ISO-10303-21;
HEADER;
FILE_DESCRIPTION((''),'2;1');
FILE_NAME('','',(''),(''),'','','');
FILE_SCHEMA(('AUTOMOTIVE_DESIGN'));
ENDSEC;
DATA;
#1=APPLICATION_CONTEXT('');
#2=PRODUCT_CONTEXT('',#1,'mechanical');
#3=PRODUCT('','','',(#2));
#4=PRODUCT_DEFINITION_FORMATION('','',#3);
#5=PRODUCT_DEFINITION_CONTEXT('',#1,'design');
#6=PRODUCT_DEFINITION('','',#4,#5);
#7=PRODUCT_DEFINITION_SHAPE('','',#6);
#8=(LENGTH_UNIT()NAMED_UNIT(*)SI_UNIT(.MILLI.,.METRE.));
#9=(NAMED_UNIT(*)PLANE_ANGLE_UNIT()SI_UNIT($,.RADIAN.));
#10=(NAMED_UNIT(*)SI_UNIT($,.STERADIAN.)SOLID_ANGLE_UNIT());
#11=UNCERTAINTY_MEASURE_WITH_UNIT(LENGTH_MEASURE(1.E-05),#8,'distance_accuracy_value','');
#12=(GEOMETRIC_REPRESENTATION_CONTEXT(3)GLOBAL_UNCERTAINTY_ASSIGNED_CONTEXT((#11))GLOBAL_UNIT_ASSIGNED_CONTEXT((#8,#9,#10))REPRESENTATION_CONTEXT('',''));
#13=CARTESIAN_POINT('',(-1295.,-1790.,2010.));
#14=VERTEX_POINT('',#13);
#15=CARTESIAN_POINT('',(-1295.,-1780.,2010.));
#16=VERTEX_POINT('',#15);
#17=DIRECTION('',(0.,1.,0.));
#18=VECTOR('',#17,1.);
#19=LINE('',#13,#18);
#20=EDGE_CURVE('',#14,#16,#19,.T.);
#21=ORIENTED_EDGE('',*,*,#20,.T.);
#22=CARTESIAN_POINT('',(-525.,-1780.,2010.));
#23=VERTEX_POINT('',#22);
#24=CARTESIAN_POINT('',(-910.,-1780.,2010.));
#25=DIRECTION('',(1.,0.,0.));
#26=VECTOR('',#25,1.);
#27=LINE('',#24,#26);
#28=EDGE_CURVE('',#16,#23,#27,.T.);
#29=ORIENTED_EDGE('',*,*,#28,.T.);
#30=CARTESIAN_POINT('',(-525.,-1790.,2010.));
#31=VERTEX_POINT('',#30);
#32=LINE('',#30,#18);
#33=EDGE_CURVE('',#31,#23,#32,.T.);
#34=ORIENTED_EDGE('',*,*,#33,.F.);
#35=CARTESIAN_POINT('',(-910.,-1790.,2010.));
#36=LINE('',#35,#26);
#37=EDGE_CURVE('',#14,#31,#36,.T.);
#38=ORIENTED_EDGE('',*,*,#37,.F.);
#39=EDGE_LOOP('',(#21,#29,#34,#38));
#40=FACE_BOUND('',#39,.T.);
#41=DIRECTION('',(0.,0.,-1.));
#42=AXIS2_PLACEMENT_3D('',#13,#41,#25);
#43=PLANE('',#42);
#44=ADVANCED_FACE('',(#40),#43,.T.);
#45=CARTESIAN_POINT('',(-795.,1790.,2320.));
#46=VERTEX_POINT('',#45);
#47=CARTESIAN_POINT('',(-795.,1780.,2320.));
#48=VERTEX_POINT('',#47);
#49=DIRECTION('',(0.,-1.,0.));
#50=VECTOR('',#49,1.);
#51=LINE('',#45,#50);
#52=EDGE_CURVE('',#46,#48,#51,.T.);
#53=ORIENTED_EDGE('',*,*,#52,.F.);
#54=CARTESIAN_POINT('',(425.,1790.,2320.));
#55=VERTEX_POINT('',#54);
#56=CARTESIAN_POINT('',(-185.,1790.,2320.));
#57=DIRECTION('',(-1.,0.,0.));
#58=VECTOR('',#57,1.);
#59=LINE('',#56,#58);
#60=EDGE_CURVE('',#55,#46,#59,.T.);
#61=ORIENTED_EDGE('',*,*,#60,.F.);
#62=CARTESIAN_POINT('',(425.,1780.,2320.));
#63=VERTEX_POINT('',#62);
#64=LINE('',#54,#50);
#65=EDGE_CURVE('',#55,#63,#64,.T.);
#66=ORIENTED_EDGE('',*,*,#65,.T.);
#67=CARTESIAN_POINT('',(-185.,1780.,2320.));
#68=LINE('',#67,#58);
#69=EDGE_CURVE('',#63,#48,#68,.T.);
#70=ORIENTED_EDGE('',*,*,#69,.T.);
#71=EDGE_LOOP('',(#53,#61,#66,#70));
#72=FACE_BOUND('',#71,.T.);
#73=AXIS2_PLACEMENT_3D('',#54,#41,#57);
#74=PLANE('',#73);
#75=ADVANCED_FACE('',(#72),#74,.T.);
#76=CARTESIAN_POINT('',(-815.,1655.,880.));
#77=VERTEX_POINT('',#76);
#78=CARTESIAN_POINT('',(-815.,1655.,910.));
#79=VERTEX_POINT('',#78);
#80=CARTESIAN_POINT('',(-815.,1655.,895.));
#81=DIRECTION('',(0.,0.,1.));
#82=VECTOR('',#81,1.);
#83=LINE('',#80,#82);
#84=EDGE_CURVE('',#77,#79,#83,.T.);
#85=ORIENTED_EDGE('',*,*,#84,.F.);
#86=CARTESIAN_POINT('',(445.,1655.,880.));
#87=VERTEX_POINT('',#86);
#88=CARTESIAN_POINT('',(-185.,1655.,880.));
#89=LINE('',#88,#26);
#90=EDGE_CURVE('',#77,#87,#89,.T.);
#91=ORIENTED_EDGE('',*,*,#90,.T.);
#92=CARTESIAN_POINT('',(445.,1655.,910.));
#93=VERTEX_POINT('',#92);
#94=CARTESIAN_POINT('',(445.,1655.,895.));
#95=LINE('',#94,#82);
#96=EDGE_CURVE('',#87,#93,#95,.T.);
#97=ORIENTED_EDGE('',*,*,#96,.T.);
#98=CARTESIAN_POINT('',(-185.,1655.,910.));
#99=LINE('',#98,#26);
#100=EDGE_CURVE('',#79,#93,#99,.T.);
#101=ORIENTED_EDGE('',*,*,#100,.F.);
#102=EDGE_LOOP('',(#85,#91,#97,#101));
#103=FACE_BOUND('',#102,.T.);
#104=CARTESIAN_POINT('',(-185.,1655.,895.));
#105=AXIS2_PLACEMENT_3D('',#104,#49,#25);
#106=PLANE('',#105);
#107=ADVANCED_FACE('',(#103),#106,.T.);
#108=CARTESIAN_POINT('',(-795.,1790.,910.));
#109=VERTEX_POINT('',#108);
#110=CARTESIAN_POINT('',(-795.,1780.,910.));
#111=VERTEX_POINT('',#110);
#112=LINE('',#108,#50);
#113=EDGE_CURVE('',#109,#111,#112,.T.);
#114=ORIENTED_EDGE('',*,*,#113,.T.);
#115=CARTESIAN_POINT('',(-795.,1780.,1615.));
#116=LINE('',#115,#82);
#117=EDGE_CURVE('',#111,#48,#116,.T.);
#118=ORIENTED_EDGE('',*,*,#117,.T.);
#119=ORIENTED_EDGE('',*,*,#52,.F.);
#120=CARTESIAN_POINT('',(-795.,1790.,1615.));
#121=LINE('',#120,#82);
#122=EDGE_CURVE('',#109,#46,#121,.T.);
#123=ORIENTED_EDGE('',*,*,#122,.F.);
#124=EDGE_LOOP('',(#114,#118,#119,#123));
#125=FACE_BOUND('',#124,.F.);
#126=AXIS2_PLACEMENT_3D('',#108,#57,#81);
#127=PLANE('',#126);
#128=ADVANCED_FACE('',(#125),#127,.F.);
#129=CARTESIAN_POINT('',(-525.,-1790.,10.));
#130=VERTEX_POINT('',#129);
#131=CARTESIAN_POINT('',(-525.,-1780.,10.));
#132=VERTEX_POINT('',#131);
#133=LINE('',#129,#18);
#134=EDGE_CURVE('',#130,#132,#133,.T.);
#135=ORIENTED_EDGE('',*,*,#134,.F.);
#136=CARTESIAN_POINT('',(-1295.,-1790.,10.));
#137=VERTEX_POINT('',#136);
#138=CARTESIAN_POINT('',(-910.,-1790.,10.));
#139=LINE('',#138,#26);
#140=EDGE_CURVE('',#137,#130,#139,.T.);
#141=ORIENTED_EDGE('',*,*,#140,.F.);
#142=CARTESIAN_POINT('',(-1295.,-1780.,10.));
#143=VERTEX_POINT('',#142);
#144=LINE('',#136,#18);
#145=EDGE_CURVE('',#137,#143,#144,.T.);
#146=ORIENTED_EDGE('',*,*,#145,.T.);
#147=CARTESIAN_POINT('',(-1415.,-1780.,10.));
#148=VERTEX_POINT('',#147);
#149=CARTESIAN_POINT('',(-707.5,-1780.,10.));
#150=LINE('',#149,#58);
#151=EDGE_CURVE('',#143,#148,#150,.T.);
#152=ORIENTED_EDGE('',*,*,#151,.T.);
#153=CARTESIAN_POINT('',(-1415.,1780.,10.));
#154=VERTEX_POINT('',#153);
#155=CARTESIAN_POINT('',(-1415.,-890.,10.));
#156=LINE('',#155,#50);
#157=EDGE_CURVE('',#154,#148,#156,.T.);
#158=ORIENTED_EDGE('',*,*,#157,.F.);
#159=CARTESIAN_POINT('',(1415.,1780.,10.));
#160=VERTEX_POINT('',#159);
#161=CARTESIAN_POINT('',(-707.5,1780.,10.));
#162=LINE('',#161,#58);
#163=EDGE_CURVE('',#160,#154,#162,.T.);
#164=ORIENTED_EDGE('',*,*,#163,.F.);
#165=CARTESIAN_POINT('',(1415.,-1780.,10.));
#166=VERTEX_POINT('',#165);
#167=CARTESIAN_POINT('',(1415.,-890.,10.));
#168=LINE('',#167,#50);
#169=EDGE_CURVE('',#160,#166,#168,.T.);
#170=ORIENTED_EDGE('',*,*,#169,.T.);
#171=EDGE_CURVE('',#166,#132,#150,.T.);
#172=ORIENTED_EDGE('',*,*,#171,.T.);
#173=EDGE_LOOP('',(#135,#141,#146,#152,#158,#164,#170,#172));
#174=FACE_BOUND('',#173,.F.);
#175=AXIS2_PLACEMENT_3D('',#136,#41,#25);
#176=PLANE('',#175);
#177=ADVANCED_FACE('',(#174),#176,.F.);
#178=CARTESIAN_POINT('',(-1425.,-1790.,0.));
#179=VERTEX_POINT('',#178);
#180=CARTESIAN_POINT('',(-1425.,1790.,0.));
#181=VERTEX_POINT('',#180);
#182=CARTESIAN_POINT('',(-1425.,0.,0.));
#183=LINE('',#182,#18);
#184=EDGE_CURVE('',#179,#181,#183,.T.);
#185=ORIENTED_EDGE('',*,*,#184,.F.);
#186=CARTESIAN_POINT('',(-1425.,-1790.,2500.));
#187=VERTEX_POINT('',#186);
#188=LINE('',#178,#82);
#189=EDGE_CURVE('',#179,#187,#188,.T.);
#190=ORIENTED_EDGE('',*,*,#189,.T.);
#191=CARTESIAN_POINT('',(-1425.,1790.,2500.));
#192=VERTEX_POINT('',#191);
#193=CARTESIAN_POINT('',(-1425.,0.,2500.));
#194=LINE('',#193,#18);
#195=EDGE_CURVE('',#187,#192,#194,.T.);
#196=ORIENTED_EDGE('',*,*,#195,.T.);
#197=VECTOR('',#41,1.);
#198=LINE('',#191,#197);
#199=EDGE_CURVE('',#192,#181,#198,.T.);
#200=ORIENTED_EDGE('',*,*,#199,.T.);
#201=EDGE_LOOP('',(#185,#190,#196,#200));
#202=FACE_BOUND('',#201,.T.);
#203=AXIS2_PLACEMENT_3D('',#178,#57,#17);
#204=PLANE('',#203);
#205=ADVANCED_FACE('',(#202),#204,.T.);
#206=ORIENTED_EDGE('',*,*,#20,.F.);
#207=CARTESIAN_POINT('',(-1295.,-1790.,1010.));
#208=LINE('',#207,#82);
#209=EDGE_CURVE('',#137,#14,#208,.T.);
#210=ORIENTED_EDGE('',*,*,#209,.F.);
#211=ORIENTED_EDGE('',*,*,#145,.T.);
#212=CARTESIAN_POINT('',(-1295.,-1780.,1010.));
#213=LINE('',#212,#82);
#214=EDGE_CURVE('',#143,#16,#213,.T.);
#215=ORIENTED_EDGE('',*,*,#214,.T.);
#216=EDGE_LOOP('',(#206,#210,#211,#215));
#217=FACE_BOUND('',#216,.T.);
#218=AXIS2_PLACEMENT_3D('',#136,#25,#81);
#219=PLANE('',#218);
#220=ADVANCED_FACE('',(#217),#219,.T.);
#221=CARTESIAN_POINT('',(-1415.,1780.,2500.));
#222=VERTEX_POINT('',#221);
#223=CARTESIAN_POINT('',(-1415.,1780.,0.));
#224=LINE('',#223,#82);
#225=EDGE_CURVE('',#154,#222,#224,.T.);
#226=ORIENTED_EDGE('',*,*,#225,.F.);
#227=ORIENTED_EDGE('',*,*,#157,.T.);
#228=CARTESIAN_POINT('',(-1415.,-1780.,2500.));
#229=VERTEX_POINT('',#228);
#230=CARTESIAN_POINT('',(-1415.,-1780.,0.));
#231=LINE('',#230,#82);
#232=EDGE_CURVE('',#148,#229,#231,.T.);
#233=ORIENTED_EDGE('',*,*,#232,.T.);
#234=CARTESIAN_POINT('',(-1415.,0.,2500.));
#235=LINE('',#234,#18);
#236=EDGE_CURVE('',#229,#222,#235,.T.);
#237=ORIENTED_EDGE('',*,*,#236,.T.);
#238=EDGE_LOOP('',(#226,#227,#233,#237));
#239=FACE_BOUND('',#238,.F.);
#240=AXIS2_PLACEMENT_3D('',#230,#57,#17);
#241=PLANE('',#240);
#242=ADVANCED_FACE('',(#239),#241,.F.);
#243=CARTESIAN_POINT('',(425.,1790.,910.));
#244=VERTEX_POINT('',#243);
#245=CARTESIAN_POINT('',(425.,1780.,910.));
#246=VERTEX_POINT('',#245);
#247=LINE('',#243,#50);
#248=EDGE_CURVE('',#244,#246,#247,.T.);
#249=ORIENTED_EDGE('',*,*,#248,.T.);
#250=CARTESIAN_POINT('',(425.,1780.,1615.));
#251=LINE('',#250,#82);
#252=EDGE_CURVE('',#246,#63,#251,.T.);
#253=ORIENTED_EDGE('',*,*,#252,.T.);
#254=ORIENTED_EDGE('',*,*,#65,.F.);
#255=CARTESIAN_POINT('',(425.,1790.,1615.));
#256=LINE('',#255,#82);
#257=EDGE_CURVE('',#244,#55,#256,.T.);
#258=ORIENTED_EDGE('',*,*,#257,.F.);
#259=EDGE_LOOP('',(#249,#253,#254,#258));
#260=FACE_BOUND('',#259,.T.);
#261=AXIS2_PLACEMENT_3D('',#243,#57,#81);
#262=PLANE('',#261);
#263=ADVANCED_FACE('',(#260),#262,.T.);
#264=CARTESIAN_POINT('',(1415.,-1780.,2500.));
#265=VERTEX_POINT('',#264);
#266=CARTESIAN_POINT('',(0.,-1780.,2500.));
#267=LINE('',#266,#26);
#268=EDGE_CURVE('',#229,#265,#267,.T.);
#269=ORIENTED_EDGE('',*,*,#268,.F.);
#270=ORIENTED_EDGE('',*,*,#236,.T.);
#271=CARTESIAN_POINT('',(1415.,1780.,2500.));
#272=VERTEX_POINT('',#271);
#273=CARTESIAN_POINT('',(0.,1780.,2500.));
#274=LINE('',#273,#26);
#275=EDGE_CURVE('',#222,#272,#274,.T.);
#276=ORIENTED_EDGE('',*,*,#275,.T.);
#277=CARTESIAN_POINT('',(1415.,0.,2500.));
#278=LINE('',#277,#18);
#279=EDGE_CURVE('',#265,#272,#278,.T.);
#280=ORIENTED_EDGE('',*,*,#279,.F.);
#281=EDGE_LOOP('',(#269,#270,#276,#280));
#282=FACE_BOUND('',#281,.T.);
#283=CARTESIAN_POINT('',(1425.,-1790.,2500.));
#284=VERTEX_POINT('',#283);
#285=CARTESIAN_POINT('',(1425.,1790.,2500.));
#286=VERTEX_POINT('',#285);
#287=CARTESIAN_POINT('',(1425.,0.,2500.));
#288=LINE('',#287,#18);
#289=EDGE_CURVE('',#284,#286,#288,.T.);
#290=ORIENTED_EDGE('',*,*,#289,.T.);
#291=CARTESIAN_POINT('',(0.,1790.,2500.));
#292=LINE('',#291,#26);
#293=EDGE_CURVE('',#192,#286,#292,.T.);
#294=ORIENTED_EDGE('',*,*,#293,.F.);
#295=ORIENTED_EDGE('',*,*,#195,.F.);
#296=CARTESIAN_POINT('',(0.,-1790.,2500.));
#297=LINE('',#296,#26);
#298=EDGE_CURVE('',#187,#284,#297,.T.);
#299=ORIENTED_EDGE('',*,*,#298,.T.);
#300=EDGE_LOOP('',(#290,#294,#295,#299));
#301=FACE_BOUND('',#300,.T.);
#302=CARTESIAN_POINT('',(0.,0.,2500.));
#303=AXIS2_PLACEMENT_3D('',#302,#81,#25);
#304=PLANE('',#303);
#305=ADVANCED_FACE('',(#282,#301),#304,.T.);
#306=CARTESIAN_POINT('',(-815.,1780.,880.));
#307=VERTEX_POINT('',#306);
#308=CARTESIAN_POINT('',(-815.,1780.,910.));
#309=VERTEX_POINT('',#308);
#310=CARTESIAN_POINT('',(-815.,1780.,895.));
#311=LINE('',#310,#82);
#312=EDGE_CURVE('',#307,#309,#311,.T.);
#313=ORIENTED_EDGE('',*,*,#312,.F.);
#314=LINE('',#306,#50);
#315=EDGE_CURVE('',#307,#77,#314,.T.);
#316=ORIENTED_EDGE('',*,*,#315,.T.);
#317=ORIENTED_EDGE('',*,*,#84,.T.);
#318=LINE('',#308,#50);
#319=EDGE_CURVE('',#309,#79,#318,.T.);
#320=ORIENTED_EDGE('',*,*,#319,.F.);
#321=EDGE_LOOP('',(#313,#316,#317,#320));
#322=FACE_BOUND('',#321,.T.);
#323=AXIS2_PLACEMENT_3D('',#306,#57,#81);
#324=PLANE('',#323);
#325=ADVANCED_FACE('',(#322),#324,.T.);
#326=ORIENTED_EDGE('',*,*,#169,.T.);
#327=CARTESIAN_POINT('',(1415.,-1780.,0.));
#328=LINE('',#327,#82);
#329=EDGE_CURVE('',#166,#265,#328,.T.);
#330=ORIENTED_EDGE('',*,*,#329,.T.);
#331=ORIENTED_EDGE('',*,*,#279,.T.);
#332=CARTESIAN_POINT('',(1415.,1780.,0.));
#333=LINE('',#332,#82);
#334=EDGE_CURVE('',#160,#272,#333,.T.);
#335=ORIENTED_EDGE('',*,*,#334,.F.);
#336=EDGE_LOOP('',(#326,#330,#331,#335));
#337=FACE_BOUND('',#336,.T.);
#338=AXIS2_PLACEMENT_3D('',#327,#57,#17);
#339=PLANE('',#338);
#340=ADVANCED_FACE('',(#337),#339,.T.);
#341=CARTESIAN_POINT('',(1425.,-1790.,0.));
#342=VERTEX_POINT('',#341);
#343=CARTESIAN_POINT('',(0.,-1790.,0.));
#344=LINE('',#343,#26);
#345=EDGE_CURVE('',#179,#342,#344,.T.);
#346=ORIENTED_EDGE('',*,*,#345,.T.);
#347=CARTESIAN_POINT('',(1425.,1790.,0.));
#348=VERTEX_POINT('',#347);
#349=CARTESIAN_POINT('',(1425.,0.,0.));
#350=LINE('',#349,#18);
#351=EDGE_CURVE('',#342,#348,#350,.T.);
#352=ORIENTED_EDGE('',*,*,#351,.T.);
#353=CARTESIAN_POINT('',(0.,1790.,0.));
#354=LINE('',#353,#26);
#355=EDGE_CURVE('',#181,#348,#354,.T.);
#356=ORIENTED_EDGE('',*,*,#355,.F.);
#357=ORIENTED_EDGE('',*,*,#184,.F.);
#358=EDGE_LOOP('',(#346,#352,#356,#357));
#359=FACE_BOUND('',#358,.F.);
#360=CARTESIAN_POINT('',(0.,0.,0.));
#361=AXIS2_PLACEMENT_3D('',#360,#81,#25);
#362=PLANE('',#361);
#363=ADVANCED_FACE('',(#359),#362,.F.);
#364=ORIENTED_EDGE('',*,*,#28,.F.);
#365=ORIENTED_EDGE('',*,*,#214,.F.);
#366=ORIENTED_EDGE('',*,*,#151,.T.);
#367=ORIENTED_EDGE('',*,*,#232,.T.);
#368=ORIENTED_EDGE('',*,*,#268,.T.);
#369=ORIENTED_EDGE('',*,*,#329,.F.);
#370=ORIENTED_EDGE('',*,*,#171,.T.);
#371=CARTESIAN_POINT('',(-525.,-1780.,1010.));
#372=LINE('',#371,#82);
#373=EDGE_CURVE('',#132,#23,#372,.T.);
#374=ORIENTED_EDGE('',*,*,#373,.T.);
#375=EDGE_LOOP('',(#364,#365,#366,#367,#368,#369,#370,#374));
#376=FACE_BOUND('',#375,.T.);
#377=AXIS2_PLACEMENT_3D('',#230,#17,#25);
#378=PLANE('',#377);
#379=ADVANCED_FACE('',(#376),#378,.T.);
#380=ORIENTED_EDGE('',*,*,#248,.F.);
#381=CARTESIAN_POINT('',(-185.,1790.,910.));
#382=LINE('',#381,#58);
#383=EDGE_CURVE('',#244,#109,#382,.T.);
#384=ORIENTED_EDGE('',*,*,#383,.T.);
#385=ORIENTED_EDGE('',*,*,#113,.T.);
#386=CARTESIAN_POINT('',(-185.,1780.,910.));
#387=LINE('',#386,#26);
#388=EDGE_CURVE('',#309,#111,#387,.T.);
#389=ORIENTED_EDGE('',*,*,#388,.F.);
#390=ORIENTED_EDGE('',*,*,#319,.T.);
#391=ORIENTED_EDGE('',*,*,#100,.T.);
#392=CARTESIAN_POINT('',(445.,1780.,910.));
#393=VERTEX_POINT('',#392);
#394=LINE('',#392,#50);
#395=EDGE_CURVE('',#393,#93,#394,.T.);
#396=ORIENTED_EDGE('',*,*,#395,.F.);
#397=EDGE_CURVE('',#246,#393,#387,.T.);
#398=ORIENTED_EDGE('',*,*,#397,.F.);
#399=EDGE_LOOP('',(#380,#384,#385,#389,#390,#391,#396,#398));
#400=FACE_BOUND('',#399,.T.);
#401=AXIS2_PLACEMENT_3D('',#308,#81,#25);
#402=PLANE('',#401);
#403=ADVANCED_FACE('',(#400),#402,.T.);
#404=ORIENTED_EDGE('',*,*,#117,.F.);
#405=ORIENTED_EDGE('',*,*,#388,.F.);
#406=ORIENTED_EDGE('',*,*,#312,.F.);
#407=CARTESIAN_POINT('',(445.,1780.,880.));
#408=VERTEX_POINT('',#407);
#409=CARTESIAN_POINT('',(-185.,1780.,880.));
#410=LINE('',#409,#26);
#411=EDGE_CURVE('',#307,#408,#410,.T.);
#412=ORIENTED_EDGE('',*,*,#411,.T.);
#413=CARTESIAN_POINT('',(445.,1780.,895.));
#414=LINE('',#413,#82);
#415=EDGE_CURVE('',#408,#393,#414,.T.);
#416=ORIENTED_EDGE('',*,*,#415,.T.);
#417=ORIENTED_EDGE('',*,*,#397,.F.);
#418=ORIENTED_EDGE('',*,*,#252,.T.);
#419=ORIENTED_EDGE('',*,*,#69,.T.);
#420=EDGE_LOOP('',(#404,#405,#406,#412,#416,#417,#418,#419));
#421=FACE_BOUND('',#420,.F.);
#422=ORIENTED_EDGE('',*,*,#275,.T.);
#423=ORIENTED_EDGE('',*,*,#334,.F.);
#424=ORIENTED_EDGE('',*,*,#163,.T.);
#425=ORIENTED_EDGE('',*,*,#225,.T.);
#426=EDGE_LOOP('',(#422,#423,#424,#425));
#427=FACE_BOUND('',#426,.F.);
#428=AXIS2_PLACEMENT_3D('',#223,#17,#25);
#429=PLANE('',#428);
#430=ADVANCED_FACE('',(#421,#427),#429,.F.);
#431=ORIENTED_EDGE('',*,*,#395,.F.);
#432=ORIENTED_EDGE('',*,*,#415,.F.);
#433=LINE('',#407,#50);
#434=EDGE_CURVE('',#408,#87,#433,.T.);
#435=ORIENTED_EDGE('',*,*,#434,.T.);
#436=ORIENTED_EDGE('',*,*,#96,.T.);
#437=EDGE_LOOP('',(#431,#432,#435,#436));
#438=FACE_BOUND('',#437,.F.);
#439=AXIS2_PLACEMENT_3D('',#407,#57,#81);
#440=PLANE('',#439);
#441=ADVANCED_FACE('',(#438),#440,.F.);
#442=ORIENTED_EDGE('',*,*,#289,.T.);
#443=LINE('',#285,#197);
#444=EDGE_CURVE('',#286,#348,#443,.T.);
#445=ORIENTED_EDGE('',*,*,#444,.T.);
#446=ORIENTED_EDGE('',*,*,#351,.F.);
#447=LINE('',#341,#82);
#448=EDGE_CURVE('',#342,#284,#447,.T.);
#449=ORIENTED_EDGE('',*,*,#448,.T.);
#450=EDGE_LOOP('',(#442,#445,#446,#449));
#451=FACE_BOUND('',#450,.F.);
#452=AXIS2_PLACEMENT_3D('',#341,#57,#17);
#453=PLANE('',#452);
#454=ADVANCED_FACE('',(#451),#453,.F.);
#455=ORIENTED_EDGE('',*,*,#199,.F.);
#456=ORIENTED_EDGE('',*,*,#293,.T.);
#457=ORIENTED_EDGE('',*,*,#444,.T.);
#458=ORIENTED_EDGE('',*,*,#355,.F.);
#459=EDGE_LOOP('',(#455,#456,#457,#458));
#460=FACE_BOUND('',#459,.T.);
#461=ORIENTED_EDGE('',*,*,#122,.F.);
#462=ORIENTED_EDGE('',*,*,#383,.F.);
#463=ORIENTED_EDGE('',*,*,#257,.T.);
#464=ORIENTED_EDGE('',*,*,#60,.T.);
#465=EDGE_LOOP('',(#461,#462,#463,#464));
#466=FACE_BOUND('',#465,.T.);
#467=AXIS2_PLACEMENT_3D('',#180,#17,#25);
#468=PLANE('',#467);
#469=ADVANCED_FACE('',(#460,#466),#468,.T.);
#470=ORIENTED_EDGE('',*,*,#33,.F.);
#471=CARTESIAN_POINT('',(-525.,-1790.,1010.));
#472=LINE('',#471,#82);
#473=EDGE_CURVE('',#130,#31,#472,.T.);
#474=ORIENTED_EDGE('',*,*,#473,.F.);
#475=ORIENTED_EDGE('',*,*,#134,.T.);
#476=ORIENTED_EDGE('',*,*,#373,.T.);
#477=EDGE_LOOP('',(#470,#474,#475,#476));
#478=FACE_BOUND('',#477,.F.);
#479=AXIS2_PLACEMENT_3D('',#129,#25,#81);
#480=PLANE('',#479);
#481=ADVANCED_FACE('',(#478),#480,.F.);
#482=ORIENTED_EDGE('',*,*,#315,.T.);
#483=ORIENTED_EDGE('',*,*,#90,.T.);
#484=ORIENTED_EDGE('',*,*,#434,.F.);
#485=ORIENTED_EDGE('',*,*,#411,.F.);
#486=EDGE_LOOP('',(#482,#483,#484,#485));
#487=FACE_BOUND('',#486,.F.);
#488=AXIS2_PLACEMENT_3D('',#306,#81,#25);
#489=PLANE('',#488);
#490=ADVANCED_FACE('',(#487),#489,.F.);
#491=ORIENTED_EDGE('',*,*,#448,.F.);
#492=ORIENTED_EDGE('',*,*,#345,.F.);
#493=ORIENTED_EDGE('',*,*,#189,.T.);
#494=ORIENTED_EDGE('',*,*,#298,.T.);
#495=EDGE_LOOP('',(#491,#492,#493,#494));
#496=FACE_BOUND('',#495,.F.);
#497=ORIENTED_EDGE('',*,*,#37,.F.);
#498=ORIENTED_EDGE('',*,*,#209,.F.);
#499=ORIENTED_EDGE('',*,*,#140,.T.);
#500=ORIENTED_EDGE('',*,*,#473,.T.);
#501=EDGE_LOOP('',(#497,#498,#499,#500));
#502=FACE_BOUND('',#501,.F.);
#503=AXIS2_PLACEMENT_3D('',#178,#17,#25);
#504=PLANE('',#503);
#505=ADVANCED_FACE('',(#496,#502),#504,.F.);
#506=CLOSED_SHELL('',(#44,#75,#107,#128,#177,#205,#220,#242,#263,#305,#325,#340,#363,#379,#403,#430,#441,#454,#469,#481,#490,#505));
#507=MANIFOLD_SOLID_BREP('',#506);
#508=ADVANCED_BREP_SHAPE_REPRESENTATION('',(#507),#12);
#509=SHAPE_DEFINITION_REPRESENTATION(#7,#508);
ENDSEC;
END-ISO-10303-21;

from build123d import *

# Parameters (mm, degrees)
F0_W     = 2850
F0_H     = 3580
F1_DEPTH = 10
F2_W     = 2850
F2_H     = 3580
F2_W_2   = 2830
F2_H_2   = 3560
F3_DEPTH = 2500
F4_W     = 770
F4_H     = 2000
F5_DEPTH = 10
F6_W     = 1220
F6_H     = 1410
F7_DEPTH = 10
F8_W     = 1260
F8_H     = 30
F9_DEPTH = 125


with BuildPart() as f1:
    # F0 (on Top) → F1 (new body)
    with BuildSketch(Plane.XY):
        Rectangle(F0_W, F0_H)
    extrude(amount=F1_DEPTH)

    # F2 (on face) → F3 (join)
    with BuildSketch(Plane.XY):
        Rectangle(F2_W, F2_H)
        Rectangle(F2_W_2, F2_H_2, mode=Mode.SUBTRACT)
    extrude(amount=F3_DEPTH)

    # F4 (on face) → F5 (cut, through all)
    with BuildSketch(Plane.XZ.offset(1790)):
        with Locations((-910, 1010)):
            Rectangle(F4_W, F4_H)
    extrude(amount=-F5_DEPTH, mode=Mode.SUBTRACT)

    # F6 (on face) → F7 (cut, through all)
    with BuildSketch(Plane(origin=(0, 1790, 0), x_dir=(-1, 0, 0), z_dir=(0, 1, 0))):
        with Locations((185, 1615)):
            Rectangle(F6_W, F6_H)
    extrude(amount=-F7_DEPTH, mode=Mode.SUBTRACT)

    # F8 (on face) → F9 (join)
    with BuildSketch(Plane.XZ.offset(-1780)):
        with Locations((-185, 895)):
            Rectangle(F8_W, F8_H)
    extrude(amount=F9_DEPTH)


solid = f1.part
